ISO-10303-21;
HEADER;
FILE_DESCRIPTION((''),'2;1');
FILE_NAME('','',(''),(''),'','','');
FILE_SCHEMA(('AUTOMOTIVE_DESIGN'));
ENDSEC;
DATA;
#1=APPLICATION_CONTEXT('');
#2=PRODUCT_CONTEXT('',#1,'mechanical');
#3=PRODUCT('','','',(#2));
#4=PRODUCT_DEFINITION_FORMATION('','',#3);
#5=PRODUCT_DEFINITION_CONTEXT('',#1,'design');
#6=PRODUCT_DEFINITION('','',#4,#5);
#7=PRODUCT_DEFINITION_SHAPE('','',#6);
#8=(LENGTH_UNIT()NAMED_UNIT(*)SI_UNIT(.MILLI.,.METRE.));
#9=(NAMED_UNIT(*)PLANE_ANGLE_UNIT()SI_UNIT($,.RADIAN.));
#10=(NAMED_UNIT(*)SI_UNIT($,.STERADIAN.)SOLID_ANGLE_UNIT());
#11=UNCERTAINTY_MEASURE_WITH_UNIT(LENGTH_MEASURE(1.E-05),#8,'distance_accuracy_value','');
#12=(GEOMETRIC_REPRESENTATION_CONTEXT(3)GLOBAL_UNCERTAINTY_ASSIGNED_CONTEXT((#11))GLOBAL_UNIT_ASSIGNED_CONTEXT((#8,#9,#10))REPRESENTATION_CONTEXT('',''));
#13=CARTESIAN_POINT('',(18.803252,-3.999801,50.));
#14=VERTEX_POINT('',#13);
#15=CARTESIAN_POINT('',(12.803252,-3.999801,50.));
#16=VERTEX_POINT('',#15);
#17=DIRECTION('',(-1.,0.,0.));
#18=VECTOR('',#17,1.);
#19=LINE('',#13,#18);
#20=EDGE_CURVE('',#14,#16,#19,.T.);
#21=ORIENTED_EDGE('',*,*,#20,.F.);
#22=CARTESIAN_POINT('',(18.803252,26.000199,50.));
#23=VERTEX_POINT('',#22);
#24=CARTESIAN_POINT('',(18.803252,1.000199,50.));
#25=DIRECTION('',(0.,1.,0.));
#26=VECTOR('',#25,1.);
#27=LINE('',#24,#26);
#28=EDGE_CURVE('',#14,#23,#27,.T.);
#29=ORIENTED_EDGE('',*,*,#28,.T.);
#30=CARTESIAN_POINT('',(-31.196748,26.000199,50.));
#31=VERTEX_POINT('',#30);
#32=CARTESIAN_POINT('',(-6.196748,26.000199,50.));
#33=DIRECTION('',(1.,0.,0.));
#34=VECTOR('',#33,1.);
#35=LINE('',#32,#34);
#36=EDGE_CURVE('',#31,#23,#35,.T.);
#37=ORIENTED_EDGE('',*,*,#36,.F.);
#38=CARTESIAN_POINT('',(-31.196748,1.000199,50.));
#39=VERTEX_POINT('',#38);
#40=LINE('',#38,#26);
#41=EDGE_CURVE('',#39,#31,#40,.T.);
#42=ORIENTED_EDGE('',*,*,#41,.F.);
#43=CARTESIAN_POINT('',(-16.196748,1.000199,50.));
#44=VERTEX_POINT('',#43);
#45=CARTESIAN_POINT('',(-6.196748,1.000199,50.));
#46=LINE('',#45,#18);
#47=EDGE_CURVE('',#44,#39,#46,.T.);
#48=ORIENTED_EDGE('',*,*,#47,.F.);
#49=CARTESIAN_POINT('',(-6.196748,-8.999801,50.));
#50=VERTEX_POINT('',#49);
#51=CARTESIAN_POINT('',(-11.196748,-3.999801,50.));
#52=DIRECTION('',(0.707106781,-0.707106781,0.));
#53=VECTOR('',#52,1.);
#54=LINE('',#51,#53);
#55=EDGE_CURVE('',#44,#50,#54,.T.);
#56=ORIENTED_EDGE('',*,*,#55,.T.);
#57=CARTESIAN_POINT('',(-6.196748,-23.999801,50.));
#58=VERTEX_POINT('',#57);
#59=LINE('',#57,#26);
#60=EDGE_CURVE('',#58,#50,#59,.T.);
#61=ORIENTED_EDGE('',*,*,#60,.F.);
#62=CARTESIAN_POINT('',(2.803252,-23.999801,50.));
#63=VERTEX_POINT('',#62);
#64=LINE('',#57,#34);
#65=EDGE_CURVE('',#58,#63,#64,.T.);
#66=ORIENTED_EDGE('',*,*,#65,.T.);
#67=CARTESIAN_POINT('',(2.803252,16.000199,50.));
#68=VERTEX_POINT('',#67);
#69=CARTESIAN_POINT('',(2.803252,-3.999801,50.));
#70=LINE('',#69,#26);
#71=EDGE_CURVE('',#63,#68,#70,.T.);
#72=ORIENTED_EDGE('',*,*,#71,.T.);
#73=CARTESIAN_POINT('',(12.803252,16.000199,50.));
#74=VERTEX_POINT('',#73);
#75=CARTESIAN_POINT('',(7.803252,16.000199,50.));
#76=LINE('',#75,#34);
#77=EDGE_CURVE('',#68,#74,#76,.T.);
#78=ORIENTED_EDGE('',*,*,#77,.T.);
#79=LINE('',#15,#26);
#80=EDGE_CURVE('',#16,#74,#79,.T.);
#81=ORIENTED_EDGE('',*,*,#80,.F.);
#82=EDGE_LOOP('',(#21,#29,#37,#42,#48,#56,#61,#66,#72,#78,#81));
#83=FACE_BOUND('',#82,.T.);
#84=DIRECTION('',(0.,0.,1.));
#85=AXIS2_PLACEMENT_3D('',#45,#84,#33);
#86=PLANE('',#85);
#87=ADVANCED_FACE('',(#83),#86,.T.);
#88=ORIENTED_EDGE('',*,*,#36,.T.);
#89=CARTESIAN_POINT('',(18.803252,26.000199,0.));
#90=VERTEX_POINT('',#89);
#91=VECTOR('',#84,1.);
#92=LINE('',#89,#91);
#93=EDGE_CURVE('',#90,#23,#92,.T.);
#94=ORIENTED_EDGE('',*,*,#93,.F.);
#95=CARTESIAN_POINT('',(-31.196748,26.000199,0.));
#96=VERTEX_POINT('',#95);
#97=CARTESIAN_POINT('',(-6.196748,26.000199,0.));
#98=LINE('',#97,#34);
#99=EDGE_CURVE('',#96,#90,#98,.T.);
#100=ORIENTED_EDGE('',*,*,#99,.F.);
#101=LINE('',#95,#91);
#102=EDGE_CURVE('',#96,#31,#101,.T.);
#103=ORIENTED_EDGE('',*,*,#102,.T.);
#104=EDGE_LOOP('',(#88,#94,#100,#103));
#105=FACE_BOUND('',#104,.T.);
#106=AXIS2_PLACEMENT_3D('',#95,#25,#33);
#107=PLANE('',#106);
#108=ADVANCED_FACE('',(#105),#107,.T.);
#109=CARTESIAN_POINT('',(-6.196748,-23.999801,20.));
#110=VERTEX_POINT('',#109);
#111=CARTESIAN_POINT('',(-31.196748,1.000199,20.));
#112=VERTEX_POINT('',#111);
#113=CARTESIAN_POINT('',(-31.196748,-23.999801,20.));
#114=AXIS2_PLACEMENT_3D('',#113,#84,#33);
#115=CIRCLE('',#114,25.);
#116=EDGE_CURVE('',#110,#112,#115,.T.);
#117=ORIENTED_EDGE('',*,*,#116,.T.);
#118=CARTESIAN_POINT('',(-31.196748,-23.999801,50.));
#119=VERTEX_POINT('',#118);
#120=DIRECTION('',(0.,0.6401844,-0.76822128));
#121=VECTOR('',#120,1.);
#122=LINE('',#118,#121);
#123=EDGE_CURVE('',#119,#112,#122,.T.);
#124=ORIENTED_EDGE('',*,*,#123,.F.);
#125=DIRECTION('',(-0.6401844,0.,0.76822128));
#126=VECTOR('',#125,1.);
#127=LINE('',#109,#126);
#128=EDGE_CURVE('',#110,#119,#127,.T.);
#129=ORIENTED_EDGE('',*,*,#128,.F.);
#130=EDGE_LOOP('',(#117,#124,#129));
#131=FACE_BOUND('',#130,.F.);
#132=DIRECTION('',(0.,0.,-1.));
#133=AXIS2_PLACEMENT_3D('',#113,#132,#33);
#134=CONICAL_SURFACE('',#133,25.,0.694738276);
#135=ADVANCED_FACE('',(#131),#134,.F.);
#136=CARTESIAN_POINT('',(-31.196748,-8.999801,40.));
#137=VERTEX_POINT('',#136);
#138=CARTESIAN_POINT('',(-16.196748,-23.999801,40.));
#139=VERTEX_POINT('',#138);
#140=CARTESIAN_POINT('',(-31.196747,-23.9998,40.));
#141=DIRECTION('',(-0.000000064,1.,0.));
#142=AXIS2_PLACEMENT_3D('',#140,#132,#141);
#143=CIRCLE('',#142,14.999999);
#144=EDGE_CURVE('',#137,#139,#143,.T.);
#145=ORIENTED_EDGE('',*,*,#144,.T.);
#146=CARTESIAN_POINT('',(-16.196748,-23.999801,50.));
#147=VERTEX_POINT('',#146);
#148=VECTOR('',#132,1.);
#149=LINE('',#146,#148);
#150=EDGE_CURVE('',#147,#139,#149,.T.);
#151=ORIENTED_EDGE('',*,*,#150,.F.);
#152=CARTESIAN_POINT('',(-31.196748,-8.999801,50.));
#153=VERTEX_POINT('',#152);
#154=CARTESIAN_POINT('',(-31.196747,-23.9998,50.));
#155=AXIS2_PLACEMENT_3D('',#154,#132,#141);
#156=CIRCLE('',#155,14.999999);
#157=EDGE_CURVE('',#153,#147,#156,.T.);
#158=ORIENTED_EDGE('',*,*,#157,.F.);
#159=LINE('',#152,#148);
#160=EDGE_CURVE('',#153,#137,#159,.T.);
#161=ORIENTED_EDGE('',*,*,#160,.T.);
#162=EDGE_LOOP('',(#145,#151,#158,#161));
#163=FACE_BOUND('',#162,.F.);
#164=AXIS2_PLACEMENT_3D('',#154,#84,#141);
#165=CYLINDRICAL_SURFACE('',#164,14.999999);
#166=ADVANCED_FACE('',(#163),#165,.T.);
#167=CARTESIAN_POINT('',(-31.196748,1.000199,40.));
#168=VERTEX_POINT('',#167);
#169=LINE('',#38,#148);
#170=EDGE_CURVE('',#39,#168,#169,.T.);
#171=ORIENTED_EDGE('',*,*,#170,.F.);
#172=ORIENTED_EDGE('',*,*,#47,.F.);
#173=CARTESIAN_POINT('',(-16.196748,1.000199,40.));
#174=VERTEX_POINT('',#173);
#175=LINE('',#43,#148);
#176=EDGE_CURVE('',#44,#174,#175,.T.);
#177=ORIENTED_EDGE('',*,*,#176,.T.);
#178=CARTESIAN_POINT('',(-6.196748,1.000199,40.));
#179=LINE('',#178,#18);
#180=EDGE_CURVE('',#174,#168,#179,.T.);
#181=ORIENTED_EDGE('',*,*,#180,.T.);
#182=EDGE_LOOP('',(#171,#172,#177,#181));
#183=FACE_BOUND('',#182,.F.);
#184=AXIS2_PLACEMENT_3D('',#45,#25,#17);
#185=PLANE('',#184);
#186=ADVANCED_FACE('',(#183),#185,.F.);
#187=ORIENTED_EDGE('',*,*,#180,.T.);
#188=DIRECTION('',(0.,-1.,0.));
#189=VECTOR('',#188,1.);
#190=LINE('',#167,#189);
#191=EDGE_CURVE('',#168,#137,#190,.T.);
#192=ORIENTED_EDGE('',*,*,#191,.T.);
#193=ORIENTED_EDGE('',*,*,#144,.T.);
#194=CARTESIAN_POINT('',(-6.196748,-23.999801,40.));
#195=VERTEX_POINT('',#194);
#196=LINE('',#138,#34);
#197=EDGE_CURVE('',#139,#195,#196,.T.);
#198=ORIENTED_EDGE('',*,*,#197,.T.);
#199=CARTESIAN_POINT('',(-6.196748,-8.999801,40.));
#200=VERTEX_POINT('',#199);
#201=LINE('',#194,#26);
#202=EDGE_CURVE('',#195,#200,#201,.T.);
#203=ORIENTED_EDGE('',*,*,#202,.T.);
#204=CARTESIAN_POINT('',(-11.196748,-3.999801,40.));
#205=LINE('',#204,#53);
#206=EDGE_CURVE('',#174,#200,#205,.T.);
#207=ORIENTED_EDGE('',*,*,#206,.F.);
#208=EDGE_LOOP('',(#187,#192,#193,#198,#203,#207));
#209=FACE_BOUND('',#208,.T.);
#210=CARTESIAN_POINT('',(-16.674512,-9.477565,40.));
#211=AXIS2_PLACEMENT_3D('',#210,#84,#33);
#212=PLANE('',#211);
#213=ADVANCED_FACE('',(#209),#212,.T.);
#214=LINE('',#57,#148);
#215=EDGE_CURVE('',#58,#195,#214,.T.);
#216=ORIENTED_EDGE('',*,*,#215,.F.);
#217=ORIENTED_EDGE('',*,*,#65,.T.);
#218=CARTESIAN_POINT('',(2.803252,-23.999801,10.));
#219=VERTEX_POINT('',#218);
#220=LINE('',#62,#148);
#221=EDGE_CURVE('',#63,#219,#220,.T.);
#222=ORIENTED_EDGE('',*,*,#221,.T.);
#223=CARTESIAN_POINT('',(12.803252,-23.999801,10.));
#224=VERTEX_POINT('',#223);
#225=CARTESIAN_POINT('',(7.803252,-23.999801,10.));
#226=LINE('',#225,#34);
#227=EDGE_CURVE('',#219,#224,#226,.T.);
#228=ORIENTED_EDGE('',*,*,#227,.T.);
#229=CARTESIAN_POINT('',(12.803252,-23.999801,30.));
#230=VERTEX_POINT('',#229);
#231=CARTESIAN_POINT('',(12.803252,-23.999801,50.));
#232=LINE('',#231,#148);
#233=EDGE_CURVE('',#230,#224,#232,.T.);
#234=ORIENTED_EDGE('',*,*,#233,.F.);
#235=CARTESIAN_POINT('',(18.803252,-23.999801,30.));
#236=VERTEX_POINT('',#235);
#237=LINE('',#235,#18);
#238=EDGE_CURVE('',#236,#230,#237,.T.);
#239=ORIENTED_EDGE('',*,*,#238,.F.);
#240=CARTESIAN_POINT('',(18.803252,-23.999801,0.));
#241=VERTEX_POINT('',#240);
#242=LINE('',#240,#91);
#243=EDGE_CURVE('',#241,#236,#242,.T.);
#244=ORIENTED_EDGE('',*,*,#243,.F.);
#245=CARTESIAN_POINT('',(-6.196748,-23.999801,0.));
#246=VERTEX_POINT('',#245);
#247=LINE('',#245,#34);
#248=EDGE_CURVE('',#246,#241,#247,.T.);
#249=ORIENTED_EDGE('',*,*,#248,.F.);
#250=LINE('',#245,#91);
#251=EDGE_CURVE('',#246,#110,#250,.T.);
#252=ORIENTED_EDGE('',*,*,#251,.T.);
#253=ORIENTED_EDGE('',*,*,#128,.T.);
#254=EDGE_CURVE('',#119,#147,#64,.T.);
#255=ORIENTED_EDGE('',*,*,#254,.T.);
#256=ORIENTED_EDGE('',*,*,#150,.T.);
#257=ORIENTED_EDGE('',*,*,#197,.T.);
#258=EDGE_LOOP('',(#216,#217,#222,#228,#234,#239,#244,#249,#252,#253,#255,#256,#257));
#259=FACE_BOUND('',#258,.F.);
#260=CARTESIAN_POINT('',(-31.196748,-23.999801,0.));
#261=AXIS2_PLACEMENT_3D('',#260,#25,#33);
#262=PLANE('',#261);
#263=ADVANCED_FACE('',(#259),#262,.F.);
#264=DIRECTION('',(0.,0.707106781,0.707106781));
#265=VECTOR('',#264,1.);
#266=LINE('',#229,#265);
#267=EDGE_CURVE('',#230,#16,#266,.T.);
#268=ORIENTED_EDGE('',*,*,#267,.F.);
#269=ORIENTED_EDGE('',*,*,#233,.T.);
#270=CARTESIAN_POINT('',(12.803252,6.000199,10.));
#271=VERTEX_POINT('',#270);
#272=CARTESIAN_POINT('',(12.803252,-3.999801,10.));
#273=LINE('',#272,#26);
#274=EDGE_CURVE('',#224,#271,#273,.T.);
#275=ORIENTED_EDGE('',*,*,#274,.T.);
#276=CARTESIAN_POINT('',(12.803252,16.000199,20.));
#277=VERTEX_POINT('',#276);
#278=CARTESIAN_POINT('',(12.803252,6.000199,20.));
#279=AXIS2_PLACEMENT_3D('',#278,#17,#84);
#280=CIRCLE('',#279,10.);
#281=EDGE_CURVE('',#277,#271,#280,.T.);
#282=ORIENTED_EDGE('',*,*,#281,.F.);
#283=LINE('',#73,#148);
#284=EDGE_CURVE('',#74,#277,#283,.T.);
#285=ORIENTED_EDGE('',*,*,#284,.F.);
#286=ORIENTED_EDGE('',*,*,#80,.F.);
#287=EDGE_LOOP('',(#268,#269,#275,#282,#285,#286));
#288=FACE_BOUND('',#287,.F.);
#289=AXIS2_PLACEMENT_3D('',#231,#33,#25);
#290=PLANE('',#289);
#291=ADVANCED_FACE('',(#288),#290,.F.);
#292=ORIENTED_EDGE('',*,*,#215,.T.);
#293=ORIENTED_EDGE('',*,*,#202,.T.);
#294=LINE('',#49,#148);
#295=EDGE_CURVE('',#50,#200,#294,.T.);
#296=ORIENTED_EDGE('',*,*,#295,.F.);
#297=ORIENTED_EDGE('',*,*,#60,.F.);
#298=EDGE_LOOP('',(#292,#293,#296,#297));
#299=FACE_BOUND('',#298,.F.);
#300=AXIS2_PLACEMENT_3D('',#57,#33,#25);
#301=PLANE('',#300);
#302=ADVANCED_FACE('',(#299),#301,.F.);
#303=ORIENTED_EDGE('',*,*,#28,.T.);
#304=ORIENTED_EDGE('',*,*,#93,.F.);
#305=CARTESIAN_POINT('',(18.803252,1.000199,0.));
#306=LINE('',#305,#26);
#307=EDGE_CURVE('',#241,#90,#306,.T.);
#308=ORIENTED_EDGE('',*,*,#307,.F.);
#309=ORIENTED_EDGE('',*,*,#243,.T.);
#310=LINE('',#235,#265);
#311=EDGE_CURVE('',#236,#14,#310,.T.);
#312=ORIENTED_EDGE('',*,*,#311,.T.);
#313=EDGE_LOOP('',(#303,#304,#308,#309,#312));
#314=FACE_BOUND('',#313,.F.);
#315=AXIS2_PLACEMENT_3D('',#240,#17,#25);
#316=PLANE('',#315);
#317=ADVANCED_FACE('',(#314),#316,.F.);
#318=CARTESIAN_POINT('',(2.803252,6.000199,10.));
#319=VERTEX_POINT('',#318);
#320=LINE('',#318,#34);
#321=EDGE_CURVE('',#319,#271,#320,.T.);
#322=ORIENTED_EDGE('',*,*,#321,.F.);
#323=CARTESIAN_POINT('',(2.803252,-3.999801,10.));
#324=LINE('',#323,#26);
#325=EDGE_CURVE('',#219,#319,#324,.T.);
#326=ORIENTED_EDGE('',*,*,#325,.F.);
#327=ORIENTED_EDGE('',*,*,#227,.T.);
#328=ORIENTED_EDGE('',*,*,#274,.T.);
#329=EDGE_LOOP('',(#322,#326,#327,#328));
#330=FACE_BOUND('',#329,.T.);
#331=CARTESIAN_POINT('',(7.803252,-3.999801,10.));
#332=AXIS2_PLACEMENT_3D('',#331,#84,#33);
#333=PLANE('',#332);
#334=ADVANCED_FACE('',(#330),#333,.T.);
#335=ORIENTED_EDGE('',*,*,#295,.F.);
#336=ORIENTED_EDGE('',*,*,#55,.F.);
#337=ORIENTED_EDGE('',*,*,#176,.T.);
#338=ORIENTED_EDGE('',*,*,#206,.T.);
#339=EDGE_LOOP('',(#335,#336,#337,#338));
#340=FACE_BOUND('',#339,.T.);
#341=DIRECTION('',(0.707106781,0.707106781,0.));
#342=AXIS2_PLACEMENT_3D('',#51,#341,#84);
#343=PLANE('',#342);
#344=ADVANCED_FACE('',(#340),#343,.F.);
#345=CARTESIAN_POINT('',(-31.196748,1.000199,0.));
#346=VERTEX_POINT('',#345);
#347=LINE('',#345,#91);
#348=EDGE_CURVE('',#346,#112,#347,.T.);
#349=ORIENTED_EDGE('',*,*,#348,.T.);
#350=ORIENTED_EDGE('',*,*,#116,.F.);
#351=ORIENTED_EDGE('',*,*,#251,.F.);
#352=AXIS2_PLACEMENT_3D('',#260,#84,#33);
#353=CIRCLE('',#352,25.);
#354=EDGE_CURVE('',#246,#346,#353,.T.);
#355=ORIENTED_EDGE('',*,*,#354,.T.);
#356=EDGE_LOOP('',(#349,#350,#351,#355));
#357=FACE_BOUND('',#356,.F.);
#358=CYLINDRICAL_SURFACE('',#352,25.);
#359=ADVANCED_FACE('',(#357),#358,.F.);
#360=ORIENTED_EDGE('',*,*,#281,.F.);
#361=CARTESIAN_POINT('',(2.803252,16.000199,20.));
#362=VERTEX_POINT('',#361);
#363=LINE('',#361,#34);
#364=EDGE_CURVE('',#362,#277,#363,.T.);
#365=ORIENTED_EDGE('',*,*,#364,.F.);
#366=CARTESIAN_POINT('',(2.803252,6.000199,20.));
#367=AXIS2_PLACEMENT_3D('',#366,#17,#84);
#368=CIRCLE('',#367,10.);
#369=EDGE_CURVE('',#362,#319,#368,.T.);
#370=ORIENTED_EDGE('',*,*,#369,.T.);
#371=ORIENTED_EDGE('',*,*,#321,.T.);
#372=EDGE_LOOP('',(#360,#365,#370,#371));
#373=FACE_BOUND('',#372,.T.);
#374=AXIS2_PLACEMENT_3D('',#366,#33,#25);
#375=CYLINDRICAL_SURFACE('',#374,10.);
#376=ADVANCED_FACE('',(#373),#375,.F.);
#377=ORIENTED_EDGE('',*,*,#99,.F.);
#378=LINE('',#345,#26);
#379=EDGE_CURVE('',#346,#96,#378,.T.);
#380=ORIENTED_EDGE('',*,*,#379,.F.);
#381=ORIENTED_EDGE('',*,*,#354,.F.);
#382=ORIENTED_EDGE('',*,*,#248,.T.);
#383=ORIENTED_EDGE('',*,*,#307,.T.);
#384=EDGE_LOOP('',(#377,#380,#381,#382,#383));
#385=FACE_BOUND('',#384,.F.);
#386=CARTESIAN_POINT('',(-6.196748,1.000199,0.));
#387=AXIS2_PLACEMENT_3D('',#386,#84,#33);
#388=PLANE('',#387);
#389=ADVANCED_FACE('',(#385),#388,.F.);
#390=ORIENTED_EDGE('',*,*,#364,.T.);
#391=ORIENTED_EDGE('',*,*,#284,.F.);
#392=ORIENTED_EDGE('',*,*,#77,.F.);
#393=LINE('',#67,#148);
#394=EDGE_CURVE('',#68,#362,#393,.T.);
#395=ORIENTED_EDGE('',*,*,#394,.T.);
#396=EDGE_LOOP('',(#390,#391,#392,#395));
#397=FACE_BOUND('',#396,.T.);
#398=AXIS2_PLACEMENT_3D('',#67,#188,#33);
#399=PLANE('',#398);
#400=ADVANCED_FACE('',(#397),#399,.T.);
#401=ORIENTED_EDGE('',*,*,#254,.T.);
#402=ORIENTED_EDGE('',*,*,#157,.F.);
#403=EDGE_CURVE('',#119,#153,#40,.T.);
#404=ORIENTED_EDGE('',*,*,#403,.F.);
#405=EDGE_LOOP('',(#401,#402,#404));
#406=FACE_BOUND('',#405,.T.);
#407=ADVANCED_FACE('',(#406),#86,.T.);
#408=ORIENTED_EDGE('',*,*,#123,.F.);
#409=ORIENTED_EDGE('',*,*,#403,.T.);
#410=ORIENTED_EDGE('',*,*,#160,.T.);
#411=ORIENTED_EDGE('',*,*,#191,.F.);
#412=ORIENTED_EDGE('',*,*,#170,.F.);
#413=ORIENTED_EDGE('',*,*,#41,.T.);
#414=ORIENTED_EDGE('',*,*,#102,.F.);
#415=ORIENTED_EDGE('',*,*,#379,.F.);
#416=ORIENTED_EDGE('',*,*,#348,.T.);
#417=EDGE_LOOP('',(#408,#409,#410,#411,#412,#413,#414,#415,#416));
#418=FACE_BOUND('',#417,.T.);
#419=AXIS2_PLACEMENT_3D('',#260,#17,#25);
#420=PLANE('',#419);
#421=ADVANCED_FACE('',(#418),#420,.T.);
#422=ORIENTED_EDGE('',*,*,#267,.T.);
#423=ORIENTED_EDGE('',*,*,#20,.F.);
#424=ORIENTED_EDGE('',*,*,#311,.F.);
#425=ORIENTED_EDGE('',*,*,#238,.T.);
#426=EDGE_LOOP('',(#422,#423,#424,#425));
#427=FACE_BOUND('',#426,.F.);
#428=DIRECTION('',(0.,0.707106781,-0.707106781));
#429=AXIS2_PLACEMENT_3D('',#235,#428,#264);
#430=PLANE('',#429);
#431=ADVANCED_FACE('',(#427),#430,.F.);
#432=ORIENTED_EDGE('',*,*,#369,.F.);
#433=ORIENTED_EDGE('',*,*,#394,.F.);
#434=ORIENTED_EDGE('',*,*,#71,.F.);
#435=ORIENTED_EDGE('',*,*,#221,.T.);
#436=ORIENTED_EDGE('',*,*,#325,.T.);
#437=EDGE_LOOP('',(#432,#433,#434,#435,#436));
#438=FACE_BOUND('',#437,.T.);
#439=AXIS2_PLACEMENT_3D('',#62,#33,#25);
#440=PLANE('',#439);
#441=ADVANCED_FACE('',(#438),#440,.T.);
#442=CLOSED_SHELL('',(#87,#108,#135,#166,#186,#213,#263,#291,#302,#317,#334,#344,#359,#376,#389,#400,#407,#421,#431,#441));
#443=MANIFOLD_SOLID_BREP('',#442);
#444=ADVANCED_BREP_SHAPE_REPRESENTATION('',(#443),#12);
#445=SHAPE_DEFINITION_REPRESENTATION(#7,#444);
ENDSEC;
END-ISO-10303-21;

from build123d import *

# Parameters (mm, degrees)
F0_W      = 50
F0_H      = 50
F1_DEPTH  = 50
F4_DEPTH  = 10
F5_SIZE   = 10
F6_W      = 10
F6_H      = 40
F8_DEPTH  = 40
F9_R      = 10
F11_DEPTH = 6


with BuildPart() as f1:
    # F0 (on Top) → F1 (new body)
    with BuildSketch(Plane.XY):
        with Locations((-6.196748, 1.000199)):
            Rectangle(F0_W, F0_H)
    extrude(amount=F1_DEPTH)

    # F3 (on face) → F4 (cut)
    with BuildSketch(Plane.XY.offset(50)):
        with BuildLine():
            ThreePointArc((-31.196748, -8.999801), (-20.590146, -13.393199), (-16.196748, -23.999801))
            Line((-16.196748, -23.999801), (-6.196748, -23.999801))
            Line((-6.196748, -23.999801), (-6.196748, 1.000199))
            Line((-6.196748, 1.000199), (-31.196748, 1.000199))
            Line((-31.196748, 1.000199), (-31.196748, -8.999801))
        make_face()
    extrude(amount=-F4_DEPTH, mode=Mode.SUBTRACT)

    # F5
    f5_edges = [f1.edges().sort_by_distance(p)[0] for p in [
        (-6.196748, 1.000199, 45),
    ]]
    chamfer(f5_edges, length=F5_SIZE)

    # F6 (on face) → F8 (cut, through all)
    with BuildSketch(Plane.XY.offset(50)):
        with Locations((7.803252, -3.999801)):
            Rectangle(F6_W, F6_H)
    extrude(amount=-F8_DEPTH, mode=Mode.SUBTRACT)

    # F9
    f9_edges = [f1.edges().sort_by_distance(p)[0] for p in [
        (7.803252, 16.000199, 10),
    ]]
    fillet(f9_edges, radius=F9_R)

    # F10 (on face) → F11 (cut)
    with BuildSketch(Plane.YZ.offset(18.803252)):
        Polygon((-3.999801, 50), (-23.999801, 50), (-23.999801, 30), align=None)
    extrude(amount=-F11_DEPTH, mode=Mode.SUBTRACT)

    # F12 (on face) → F13 (revolve, cut)
    with BuildSketch(Plane.XZ.offset(23.999801)):
        Polygon((-6.196748, 20), (-31.196748, 50), (-31.196748, 0), (-6.196748, 0), align=None)
    revolve(axis=Axis((-31.196748, -23.999801, 25), (0, 0, 1)), mode=Mode.SUBTRACT)


solid = f1.part
